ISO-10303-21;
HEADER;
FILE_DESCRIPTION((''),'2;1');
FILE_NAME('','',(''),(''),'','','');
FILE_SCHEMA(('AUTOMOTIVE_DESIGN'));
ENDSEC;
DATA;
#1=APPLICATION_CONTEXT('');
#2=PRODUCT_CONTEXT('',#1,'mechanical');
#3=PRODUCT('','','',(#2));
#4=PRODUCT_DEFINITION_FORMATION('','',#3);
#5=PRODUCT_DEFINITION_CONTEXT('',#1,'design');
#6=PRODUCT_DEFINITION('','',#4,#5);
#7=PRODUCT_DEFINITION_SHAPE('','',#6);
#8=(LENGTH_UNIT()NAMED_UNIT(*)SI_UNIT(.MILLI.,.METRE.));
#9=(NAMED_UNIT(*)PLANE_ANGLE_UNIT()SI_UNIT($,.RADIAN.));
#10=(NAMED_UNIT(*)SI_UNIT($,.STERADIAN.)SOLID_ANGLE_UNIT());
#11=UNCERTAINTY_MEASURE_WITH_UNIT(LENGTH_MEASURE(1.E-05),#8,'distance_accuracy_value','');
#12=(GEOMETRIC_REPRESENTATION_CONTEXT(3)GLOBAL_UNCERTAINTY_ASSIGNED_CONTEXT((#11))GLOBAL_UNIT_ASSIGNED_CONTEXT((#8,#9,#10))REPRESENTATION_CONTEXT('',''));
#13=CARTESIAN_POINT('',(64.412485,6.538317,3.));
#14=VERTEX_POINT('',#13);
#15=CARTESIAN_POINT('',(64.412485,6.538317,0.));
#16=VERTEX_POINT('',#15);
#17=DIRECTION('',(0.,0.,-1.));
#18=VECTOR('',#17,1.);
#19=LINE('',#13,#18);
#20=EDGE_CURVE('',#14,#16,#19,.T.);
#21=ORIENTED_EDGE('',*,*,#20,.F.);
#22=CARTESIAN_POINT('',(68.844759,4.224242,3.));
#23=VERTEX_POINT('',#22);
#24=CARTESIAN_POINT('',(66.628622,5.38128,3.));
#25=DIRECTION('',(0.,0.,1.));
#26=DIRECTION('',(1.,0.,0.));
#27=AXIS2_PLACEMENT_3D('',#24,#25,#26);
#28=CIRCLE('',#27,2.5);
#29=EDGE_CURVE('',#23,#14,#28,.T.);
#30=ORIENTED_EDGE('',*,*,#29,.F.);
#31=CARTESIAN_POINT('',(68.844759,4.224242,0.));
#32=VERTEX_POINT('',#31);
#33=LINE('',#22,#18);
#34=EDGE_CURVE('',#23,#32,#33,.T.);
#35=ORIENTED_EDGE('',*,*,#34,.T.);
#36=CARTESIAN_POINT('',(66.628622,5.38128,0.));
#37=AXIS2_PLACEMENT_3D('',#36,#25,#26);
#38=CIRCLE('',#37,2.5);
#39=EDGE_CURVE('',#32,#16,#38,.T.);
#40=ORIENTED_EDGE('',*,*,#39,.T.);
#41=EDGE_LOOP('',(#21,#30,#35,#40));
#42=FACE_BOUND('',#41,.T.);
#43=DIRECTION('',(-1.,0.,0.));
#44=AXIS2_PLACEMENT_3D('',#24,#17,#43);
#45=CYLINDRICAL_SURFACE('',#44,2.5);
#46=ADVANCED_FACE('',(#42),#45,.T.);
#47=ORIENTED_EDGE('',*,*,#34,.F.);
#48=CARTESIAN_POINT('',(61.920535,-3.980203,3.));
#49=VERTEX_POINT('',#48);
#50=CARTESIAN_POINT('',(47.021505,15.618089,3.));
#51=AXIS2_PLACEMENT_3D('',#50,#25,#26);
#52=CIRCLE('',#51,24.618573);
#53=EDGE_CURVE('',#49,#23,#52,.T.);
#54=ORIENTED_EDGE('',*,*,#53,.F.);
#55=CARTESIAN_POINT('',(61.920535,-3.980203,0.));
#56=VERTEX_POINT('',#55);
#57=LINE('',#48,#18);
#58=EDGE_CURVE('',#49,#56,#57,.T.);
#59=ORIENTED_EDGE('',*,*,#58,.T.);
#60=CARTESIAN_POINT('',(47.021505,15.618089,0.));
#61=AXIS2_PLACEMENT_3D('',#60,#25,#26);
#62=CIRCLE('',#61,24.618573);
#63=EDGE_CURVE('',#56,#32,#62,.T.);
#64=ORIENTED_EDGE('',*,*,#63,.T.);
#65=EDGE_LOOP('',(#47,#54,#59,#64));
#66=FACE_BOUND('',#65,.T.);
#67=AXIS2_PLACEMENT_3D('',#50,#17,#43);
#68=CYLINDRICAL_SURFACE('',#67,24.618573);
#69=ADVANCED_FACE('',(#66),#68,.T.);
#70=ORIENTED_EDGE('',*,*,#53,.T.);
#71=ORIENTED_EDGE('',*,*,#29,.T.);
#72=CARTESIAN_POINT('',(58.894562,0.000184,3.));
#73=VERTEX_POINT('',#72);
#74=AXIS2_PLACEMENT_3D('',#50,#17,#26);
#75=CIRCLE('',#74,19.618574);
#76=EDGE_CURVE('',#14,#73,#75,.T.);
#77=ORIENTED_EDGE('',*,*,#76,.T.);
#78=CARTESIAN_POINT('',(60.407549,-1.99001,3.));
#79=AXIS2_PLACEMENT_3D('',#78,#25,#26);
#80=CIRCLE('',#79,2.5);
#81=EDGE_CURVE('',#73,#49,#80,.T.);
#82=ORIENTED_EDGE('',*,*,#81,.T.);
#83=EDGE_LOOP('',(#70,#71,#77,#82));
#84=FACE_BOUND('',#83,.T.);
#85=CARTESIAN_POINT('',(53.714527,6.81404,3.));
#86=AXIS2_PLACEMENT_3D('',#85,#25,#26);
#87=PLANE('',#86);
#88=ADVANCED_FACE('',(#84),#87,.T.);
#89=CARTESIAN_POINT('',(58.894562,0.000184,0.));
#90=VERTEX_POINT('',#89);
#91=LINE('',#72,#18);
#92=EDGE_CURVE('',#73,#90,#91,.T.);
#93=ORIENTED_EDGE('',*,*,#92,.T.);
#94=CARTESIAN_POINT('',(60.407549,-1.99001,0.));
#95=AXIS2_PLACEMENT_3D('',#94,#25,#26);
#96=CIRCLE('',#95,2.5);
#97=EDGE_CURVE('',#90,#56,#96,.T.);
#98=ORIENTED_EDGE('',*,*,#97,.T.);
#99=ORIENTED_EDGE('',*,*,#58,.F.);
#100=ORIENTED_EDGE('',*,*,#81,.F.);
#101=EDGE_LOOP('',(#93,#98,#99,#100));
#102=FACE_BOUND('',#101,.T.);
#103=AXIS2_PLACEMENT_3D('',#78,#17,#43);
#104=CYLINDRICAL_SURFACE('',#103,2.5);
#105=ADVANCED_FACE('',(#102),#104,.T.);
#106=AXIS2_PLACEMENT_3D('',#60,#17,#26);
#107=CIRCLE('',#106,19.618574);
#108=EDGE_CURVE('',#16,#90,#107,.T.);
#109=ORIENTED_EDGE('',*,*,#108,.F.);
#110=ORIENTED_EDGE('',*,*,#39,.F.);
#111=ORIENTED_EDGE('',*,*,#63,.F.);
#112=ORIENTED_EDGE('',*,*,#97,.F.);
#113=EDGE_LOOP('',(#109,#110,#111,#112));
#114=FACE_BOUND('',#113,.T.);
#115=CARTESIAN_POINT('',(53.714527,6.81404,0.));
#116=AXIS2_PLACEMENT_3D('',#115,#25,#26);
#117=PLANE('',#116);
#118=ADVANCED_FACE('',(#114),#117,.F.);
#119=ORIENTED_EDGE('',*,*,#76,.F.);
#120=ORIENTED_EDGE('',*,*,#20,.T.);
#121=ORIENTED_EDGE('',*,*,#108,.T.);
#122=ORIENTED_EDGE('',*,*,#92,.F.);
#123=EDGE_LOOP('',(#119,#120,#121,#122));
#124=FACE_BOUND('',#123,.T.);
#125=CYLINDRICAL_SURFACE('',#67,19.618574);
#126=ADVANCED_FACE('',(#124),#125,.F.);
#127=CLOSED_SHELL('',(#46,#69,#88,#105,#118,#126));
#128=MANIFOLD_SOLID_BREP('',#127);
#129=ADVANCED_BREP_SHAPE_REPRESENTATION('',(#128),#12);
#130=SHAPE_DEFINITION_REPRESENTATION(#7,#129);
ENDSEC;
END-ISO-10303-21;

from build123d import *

# Parameters (mm, degrees)
BOSS_EXTRUDE1_DEPTH = 3


with BuildPart() as part:
    # Sketch2 → Boss-Extrude1 (new body)
    with BuildSketch(Plane(origin=(37.180630826, 0, 0), x_dir=(1, 0, 0), z_dir=(0, 0, 1))):
        with BuildLine():
            ThreePointArc((24.739904374, -3.980203127), (28.654692619, -0.260021328), (31.664127894, 4.224242151))
            ThreePointArc((31.664127894, 4.224242151), (30.605028558, 7.597416501), (27.231854208, 6.538317165))
            ThreePointArc((27.231854208, 6.538317165), (24.833631213, 2.964801602), (21.713931225, 0.000183752))
            ThreePointArc((21.713931225, 0.000183752), (21.23672436, -3.502996262), (24.739904374, -3.980203127))
        make_face()
    extrude(amount=BOSS_EXTRUDE1_DEPTH)


solid = part.part
